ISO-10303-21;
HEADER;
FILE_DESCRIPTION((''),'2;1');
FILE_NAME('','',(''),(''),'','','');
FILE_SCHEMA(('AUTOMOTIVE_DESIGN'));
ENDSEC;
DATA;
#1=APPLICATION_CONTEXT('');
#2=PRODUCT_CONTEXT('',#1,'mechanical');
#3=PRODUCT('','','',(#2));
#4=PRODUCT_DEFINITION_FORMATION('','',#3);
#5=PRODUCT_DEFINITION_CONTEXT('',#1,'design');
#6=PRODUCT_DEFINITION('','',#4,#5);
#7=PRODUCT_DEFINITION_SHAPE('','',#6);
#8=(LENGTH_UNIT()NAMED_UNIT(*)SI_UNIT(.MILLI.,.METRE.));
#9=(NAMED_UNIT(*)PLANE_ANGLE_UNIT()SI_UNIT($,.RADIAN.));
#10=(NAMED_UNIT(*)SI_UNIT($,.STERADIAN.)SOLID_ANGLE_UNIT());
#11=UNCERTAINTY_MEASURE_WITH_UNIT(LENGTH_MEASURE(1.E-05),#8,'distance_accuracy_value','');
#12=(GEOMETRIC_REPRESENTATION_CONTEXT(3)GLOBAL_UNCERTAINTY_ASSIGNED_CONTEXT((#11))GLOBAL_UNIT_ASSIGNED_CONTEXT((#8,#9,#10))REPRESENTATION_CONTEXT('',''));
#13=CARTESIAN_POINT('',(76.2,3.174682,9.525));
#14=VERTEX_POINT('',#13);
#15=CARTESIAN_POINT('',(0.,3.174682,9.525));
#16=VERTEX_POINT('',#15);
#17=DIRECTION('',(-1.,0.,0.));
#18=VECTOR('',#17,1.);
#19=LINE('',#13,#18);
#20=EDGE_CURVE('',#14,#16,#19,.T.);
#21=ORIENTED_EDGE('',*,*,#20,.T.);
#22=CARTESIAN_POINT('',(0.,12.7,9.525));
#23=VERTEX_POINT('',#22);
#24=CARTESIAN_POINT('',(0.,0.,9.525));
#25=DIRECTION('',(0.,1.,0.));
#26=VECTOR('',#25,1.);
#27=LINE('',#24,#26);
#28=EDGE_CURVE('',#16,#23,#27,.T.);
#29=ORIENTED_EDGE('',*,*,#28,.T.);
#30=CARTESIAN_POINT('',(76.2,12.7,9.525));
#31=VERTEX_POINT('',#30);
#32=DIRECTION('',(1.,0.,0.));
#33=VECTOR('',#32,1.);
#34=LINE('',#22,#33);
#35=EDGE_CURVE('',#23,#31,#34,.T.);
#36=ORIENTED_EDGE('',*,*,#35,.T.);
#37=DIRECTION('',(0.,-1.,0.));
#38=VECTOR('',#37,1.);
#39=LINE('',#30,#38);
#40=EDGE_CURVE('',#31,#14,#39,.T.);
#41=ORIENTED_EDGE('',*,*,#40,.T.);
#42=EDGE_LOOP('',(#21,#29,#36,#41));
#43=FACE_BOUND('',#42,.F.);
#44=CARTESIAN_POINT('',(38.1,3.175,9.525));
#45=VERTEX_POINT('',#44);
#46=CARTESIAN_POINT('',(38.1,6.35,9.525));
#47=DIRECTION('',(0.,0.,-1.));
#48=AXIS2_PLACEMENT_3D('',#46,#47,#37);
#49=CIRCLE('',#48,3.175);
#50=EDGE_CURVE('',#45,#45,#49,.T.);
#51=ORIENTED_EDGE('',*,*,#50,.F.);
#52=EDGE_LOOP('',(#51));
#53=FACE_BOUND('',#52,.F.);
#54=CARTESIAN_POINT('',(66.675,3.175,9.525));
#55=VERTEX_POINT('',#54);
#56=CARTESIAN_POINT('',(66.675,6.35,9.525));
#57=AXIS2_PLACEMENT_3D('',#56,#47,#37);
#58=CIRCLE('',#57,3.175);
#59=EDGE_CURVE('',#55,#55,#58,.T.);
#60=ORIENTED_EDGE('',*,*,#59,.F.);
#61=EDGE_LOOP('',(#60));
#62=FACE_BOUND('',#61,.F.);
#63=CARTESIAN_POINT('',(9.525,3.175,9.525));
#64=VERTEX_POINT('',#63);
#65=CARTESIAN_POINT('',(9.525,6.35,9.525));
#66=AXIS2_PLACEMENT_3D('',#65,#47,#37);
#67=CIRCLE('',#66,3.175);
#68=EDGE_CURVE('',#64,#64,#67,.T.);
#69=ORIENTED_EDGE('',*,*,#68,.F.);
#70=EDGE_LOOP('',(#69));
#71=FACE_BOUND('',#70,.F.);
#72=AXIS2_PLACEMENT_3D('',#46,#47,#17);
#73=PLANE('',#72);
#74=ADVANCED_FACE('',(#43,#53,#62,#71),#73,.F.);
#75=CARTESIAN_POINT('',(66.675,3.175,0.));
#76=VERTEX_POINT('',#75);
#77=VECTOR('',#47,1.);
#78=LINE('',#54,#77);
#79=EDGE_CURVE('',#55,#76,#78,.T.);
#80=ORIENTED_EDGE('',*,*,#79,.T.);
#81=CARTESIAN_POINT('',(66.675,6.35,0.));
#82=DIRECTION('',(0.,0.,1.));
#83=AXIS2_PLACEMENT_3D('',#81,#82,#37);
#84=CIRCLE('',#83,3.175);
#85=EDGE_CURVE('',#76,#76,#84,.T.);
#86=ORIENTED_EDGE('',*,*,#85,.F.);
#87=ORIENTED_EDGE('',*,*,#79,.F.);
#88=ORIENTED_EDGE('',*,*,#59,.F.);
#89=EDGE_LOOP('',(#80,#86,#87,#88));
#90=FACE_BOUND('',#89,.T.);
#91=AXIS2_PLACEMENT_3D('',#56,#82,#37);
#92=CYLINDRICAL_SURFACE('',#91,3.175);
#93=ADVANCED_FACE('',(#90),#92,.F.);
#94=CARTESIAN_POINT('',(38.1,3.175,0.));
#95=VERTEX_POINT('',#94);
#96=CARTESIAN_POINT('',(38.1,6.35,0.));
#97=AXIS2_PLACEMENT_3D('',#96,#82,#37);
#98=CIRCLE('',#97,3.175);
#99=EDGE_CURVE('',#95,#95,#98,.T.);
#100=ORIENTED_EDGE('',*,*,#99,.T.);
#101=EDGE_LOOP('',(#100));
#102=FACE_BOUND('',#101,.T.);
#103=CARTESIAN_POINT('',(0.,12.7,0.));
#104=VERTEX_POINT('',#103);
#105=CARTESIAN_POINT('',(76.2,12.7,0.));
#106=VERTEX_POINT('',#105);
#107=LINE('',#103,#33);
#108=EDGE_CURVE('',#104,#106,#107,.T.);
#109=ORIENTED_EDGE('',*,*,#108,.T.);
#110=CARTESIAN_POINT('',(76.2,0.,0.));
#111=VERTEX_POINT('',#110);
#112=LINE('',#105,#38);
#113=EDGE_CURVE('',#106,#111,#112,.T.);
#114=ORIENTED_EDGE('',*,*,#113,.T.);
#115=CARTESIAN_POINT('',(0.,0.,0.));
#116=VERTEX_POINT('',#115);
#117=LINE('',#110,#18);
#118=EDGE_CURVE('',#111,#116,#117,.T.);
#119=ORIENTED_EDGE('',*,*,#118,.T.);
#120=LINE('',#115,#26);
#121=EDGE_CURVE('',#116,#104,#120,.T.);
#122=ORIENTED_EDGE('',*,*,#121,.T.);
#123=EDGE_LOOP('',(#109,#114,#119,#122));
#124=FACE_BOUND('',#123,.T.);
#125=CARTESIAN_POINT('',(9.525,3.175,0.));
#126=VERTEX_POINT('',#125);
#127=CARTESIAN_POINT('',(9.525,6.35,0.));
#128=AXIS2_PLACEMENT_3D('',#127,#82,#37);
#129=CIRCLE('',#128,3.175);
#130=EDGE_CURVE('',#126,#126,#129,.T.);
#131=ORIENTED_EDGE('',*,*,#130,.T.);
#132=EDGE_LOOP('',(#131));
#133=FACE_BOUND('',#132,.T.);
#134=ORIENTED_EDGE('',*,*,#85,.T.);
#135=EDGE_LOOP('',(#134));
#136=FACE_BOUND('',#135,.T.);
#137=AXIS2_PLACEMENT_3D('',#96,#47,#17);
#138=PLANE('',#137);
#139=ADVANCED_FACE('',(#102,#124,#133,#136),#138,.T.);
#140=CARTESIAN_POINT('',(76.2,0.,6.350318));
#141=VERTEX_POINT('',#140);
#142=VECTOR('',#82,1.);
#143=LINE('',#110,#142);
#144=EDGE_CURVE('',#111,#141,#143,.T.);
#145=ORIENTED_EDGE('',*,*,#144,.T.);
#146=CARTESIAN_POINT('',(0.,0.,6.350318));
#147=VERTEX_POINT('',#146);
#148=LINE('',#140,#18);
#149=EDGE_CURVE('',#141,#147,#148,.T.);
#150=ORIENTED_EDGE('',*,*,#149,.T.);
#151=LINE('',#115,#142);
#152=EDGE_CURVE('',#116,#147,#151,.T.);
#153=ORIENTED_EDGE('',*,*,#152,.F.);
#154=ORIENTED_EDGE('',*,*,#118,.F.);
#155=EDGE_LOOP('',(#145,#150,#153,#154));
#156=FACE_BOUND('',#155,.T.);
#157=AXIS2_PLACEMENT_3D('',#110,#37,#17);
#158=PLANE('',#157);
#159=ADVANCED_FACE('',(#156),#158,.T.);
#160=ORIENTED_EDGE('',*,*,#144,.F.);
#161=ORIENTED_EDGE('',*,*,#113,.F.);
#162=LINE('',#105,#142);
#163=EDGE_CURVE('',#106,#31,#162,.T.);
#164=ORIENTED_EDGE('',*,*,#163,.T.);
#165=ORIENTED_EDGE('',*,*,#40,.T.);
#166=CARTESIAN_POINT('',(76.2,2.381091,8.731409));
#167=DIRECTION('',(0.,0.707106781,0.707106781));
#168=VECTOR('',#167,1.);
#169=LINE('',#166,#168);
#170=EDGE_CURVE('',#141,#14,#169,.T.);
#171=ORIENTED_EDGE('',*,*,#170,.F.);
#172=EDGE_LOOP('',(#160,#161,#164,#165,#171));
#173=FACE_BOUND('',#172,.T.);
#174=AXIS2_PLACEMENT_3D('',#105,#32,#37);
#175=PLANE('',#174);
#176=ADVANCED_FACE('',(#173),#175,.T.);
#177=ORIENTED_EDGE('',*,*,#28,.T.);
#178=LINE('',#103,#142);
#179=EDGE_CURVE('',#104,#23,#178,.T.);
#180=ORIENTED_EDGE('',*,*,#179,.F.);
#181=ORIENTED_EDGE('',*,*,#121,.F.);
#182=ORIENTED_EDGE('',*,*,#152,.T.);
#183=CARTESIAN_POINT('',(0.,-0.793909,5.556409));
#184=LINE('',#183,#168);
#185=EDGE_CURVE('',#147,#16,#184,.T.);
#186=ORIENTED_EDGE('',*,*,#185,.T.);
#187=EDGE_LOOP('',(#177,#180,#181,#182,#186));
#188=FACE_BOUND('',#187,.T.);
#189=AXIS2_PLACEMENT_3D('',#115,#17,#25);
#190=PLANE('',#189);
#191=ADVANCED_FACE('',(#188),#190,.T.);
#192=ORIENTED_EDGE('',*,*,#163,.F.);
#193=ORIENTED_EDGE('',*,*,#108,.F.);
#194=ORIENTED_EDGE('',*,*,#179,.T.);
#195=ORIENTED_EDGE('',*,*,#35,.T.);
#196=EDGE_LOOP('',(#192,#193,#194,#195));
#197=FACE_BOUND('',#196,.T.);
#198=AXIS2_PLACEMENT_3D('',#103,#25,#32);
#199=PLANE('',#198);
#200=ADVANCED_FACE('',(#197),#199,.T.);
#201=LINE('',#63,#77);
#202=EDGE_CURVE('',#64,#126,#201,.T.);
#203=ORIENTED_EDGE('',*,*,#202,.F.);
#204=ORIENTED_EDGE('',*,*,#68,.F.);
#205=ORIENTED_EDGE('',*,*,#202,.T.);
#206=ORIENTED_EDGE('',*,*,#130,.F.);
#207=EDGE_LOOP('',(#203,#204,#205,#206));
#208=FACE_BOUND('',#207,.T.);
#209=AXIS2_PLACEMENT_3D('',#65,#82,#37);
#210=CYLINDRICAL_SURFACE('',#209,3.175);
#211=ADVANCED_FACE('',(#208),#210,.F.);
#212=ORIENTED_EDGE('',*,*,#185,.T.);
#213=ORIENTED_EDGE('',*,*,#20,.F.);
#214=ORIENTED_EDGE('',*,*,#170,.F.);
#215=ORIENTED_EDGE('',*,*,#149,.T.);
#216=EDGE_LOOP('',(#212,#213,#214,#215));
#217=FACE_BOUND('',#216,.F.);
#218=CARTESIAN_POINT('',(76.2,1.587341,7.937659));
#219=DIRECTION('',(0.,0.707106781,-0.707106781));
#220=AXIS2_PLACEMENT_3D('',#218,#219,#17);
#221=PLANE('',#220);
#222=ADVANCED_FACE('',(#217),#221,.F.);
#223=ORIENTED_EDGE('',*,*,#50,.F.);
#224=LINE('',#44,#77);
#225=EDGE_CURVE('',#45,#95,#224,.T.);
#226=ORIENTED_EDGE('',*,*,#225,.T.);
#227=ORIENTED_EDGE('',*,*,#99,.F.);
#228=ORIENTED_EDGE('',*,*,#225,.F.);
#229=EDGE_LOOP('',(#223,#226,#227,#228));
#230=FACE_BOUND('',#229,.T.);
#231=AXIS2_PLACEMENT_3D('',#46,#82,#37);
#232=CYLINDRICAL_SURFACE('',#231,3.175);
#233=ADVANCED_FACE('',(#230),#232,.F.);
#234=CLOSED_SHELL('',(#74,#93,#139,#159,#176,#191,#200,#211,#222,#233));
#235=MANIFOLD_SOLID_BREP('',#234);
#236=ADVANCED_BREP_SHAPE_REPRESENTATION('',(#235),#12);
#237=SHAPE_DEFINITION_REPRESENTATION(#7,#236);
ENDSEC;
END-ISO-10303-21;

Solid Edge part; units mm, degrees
sketch "Sketch1" plane through (0, 0, 0) normal (0, 0, 1) x (1, 0, 0)
  line L0 (0, 0) -> (0, 12.7)
  line L1 (0, 12.7) -> (76.2, 12.7)
  line L2 (76.2, 12.7) -> (76.2, 0)
  line L3 (76.2, 0) -> (0, 0)
  dimension "D1" = 76.2
  dimension "D2" = 12.7
extrude "Protrusion1" add sketch "Sketch1" along normal blind 9.525
hole "Hole_1" at (38.1, 6.35, 9.525) direction (0, 0, -1) diameter 6.35 end up to next
hole "Hole1" at (66.675, 6.35, 9.525) direction (0, 0, -1) diameter 6.35 end up to next
hole "Hole2" at (9.525, 6.35, 9.525) direction (0, 0, -1) diameter 6.35 end up to next
chamfer "Chamfer_1" distance 3.175 angle 45 1 edges at (38.1, 0, 9.525)
